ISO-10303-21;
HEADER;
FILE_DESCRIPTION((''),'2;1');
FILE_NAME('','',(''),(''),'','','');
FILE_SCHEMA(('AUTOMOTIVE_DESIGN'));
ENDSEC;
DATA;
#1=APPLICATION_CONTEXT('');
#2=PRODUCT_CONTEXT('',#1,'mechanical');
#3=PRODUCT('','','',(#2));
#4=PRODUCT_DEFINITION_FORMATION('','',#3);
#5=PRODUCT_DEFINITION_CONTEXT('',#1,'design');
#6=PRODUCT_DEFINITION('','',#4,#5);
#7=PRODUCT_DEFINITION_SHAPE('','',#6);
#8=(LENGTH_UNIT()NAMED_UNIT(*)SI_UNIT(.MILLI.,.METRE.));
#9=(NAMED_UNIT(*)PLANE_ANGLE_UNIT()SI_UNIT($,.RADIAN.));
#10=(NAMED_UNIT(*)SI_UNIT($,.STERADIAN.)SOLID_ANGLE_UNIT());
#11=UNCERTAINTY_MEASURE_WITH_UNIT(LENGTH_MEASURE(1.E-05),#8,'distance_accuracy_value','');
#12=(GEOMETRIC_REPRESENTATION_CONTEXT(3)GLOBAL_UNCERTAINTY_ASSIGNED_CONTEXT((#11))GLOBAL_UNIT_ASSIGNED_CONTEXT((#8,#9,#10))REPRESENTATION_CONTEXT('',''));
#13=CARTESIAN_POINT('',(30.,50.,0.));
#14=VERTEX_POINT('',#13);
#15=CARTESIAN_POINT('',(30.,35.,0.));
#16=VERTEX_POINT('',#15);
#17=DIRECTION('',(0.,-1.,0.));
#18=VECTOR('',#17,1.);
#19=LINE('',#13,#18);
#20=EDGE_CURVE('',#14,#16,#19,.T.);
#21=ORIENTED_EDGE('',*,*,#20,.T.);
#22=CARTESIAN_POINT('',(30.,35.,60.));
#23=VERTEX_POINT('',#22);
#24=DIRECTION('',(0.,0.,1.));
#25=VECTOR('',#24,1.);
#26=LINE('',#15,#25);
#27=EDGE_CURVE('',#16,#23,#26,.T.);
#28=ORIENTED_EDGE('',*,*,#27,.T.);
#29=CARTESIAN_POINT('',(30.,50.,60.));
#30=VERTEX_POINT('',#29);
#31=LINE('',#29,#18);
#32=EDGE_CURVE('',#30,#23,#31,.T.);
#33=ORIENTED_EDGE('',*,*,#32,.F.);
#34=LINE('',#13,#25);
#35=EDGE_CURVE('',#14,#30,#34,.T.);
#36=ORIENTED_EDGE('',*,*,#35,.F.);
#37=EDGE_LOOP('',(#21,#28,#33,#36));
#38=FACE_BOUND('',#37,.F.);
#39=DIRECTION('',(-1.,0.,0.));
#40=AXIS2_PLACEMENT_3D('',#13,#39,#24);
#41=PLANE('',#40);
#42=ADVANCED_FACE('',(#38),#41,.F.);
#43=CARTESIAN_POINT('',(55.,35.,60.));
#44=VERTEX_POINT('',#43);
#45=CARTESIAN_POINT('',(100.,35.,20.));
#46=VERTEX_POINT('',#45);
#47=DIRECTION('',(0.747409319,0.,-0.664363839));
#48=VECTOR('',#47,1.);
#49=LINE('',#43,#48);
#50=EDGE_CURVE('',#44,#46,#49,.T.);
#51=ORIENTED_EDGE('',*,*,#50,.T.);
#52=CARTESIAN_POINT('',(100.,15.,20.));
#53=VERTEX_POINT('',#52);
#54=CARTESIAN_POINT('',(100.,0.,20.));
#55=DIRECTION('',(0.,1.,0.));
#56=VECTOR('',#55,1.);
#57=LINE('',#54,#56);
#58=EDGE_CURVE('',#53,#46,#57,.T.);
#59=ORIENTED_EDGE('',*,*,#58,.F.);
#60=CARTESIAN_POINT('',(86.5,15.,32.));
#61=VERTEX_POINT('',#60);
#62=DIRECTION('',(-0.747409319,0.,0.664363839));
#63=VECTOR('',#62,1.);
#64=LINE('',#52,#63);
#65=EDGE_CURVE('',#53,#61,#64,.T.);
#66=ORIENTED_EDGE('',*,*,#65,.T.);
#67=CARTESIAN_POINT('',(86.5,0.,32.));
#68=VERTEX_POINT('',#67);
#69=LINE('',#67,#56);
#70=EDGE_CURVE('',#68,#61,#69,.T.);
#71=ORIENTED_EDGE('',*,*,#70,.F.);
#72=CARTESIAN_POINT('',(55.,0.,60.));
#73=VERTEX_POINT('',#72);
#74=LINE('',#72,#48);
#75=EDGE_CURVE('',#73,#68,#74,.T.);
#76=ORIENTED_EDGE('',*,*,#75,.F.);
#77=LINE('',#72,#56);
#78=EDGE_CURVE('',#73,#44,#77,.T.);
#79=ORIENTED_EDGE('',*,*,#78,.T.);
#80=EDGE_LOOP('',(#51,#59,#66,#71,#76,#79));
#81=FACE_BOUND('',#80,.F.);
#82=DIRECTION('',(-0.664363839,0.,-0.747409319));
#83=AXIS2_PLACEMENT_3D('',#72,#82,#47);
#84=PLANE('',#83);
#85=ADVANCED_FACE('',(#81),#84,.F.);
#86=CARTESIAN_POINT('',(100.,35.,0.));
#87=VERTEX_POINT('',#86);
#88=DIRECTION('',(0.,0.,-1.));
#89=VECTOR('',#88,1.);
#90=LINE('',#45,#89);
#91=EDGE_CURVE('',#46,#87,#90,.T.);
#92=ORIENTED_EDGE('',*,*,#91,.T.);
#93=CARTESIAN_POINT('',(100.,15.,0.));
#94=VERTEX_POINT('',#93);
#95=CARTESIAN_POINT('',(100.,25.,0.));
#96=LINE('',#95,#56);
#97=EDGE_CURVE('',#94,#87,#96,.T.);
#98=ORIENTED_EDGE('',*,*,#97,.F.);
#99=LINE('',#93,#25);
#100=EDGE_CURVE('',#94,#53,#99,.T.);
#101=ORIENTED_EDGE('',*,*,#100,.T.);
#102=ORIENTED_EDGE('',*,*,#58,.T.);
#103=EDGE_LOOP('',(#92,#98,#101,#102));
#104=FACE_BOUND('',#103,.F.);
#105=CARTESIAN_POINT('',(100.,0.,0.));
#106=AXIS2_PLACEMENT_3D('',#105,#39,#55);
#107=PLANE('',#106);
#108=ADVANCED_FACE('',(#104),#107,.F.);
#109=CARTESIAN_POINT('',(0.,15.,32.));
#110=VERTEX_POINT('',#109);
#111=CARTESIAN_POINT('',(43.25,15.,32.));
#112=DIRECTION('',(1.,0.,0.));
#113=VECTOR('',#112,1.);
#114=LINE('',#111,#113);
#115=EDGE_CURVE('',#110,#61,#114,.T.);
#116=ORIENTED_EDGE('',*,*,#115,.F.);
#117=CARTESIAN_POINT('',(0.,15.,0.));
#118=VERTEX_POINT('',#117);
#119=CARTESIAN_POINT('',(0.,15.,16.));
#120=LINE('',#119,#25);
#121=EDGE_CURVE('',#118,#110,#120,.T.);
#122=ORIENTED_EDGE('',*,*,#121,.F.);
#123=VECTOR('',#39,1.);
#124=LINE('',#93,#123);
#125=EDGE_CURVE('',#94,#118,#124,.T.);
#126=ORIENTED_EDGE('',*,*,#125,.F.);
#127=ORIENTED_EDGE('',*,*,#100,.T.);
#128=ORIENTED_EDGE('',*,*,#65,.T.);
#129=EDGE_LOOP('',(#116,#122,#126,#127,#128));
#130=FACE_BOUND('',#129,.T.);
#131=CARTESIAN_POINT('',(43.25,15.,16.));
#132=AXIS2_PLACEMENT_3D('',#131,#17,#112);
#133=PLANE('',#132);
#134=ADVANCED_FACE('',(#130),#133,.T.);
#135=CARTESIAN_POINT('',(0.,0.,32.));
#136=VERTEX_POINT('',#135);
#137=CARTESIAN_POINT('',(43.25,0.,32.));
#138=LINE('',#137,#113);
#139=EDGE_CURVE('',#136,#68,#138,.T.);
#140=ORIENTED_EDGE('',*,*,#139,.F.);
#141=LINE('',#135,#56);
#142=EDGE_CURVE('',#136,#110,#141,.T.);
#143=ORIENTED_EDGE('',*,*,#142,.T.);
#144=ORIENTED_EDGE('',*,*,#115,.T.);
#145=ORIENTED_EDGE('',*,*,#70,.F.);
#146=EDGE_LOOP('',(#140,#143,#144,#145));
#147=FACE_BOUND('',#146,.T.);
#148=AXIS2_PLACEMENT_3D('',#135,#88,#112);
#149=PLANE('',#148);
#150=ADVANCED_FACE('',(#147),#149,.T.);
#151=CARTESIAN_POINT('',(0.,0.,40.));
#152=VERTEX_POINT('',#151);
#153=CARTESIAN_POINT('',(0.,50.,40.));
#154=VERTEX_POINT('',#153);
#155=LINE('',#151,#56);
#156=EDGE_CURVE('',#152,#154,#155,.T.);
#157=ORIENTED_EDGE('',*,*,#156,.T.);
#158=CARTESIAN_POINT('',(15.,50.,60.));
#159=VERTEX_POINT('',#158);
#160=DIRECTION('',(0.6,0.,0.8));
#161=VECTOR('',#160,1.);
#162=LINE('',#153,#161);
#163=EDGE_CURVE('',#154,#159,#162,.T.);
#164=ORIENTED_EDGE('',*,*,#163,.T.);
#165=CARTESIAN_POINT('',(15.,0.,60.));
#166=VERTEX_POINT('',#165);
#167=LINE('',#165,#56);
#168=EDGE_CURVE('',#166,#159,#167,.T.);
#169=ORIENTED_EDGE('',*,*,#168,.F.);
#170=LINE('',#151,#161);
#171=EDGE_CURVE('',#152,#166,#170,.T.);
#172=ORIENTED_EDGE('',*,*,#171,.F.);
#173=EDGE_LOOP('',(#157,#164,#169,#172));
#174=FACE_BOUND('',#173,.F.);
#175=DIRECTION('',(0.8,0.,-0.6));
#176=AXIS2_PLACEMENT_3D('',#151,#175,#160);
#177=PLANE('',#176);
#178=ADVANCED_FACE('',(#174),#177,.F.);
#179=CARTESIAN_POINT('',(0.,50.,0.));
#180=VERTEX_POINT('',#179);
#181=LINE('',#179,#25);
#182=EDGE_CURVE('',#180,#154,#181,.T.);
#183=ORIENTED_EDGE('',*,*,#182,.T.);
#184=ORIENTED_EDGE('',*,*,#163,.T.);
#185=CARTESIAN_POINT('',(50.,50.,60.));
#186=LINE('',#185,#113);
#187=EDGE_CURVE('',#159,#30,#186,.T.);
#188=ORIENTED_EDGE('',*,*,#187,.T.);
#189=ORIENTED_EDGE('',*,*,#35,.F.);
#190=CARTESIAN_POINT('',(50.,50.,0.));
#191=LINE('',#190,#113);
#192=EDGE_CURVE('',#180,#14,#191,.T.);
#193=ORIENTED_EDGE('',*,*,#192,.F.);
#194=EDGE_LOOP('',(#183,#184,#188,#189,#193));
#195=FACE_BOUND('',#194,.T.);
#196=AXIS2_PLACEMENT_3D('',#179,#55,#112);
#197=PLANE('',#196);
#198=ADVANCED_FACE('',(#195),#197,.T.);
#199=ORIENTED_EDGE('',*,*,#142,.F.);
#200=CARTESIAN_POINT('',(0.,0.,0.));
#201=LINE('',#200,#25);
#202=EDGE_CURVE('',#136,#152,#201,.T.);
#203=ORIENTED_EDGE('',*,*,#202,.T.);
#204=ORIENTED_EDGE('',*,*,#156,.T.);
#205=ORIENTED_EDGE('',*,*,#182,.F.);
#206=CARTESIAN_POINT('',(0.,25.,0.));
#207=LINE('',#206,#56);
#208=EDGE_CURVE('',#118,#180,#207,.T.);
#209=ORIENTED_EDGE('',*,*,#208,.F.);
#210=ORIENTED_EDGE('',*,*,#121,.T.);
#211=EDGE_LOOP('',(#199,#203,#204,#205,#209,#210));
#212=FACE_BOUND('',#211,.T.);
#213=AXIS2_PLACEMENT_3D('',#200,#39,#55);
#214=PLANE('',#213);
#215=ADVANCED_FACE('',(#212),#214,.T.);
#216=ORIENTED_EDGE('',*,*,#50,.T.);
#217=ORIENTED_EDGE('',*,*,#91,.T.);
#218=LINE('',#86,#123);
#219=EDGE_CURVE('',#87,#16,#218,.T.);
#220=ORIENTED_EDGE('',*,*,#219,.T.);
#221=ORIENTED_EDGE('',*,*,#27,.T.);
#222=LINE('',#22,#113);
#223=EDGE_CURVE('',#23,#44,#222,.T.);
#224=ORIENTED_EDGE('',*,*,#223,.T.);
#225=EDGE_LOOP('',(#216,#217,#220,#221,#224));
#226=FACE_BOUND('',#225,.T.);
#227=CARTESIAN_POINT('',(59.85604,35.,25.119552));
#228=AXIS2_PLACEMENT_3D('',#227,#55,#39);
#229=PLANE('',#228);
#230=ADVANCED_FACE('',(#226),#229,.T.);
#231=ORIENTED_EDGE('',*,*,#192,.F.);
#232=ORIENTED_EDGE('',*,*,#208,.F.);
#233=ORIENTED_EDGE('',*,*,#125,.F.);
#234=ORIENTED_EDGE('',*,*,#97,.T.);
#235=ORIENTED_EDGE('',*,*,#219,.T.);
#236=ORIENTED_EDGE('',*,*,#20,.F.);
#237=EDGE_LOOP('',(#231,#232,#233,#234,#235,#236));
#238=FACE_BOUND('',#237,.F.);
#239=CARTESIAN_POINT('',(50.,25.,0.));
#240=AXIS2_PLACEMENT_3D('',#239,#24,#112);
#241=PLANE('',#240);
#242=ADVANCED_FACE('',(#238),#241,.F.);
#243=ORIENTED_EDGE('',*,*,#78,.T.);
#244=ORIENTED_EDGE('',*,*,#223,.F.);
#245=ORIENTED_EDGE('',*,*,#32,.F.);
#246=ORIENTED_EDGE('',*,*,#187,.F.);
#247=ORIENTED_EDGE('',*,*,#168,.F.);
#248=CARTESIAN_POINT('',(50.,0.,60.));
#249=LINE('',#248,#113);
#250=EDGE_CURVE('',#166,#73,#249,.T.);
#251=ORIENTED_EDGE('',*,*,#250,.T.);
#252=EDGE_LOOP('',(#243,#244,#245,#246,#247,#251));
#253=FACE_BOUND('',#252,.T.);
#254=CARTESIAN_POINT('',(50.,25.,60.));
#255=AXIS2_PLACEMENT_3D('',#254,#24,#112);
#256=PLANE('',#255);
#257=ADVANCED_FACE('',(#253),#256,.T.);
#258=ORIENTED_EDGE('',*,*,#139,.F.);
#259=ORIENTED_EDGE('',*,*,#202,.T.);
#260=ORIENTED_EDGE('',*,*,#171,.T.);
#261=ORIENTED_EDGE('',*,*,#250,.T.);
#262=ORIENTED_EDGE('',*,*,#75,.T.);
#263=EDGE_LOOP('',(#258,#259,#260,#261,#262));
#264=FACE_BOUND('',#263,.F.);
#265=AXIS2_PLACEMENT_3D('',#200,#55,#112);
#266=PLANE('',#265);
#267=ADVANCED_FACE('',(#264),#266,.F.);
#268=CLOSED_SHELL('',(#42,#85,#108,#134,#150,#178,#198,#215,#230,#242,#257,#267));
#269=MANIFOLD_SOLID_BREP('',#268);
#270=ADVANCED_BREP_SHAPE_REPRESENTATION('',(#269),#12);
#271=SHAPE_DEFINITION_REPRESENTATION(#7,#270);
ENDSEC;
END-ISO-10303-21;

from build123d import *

# Parameters (mm, degrees)
F0_W      = 100
F0_H      = 50
F1_DEPTH  = 60
F3_DEPTH  = 50
F5_DEPTH  = 50
F7_DEPTH  = 15
F9_DEPTH  = 15
F10_W     = 86.5
F10_H     = 32
F11_DEPTH = 15


with BuildPart() as f1:
    # F0 (on Top) → F1 (new body)
    with BuildSketch(Plane.XY):
        with Locations((50, 25)):
            Rectangle(F0_W, F0_H)
    extrude(amount=F1_DEPTH)

    # F2 (on face) → F3 (cut, through all)
    with BuildSketch(Plane.XZ):
        Polygon((15, 60), (0, 60), (0, 40), align=None)
    extrude(amount=-F3_DEPTH, mode=Mode.SUBTRACT)

    # F4 (on face) → F5 (cut, through all)
    with BuildSketch(Plane.XZ):
        Polygon((100, 20), (100, 60), (55, 60), align=None)
    extrude(amount=-F5_DEPTH, mode=Mode.SUBTRACT)

    # F6 (on face) → F7 (cut)
    with BuildSketch(Plane(origin=(0, 50, 0), x_dir=(-1, 0, 0), z_dir=(0, 1, 0))):
        Polygon((-100, 0), (-30, 0), (-30, 60), (-55, 60), (-100, 20), align=None)
    extrude(amount=-F7_DEPTH, mode=Mode.SUBTRACT)

    # F8 (on face) → F9 (cut)
    with BuildSketch(Plane.XZ):
        Polygon((86.5, 32), (86.5, 0), (100, 0), (100, 20), align=None)
    extrude(amount=-F9_DEPTH, mode=Mode.SUBTRACT)

    # F10 (on face) → F11 (cut)
    with BuildSketch(Plane.XZ):
        with Locations((43.25, 16)):
            Rectangle(F10_W, F10_H)
    extrude(amount=-F11_DEPTH, mode=Mode.SUBTRACT)


solid = f1.part
